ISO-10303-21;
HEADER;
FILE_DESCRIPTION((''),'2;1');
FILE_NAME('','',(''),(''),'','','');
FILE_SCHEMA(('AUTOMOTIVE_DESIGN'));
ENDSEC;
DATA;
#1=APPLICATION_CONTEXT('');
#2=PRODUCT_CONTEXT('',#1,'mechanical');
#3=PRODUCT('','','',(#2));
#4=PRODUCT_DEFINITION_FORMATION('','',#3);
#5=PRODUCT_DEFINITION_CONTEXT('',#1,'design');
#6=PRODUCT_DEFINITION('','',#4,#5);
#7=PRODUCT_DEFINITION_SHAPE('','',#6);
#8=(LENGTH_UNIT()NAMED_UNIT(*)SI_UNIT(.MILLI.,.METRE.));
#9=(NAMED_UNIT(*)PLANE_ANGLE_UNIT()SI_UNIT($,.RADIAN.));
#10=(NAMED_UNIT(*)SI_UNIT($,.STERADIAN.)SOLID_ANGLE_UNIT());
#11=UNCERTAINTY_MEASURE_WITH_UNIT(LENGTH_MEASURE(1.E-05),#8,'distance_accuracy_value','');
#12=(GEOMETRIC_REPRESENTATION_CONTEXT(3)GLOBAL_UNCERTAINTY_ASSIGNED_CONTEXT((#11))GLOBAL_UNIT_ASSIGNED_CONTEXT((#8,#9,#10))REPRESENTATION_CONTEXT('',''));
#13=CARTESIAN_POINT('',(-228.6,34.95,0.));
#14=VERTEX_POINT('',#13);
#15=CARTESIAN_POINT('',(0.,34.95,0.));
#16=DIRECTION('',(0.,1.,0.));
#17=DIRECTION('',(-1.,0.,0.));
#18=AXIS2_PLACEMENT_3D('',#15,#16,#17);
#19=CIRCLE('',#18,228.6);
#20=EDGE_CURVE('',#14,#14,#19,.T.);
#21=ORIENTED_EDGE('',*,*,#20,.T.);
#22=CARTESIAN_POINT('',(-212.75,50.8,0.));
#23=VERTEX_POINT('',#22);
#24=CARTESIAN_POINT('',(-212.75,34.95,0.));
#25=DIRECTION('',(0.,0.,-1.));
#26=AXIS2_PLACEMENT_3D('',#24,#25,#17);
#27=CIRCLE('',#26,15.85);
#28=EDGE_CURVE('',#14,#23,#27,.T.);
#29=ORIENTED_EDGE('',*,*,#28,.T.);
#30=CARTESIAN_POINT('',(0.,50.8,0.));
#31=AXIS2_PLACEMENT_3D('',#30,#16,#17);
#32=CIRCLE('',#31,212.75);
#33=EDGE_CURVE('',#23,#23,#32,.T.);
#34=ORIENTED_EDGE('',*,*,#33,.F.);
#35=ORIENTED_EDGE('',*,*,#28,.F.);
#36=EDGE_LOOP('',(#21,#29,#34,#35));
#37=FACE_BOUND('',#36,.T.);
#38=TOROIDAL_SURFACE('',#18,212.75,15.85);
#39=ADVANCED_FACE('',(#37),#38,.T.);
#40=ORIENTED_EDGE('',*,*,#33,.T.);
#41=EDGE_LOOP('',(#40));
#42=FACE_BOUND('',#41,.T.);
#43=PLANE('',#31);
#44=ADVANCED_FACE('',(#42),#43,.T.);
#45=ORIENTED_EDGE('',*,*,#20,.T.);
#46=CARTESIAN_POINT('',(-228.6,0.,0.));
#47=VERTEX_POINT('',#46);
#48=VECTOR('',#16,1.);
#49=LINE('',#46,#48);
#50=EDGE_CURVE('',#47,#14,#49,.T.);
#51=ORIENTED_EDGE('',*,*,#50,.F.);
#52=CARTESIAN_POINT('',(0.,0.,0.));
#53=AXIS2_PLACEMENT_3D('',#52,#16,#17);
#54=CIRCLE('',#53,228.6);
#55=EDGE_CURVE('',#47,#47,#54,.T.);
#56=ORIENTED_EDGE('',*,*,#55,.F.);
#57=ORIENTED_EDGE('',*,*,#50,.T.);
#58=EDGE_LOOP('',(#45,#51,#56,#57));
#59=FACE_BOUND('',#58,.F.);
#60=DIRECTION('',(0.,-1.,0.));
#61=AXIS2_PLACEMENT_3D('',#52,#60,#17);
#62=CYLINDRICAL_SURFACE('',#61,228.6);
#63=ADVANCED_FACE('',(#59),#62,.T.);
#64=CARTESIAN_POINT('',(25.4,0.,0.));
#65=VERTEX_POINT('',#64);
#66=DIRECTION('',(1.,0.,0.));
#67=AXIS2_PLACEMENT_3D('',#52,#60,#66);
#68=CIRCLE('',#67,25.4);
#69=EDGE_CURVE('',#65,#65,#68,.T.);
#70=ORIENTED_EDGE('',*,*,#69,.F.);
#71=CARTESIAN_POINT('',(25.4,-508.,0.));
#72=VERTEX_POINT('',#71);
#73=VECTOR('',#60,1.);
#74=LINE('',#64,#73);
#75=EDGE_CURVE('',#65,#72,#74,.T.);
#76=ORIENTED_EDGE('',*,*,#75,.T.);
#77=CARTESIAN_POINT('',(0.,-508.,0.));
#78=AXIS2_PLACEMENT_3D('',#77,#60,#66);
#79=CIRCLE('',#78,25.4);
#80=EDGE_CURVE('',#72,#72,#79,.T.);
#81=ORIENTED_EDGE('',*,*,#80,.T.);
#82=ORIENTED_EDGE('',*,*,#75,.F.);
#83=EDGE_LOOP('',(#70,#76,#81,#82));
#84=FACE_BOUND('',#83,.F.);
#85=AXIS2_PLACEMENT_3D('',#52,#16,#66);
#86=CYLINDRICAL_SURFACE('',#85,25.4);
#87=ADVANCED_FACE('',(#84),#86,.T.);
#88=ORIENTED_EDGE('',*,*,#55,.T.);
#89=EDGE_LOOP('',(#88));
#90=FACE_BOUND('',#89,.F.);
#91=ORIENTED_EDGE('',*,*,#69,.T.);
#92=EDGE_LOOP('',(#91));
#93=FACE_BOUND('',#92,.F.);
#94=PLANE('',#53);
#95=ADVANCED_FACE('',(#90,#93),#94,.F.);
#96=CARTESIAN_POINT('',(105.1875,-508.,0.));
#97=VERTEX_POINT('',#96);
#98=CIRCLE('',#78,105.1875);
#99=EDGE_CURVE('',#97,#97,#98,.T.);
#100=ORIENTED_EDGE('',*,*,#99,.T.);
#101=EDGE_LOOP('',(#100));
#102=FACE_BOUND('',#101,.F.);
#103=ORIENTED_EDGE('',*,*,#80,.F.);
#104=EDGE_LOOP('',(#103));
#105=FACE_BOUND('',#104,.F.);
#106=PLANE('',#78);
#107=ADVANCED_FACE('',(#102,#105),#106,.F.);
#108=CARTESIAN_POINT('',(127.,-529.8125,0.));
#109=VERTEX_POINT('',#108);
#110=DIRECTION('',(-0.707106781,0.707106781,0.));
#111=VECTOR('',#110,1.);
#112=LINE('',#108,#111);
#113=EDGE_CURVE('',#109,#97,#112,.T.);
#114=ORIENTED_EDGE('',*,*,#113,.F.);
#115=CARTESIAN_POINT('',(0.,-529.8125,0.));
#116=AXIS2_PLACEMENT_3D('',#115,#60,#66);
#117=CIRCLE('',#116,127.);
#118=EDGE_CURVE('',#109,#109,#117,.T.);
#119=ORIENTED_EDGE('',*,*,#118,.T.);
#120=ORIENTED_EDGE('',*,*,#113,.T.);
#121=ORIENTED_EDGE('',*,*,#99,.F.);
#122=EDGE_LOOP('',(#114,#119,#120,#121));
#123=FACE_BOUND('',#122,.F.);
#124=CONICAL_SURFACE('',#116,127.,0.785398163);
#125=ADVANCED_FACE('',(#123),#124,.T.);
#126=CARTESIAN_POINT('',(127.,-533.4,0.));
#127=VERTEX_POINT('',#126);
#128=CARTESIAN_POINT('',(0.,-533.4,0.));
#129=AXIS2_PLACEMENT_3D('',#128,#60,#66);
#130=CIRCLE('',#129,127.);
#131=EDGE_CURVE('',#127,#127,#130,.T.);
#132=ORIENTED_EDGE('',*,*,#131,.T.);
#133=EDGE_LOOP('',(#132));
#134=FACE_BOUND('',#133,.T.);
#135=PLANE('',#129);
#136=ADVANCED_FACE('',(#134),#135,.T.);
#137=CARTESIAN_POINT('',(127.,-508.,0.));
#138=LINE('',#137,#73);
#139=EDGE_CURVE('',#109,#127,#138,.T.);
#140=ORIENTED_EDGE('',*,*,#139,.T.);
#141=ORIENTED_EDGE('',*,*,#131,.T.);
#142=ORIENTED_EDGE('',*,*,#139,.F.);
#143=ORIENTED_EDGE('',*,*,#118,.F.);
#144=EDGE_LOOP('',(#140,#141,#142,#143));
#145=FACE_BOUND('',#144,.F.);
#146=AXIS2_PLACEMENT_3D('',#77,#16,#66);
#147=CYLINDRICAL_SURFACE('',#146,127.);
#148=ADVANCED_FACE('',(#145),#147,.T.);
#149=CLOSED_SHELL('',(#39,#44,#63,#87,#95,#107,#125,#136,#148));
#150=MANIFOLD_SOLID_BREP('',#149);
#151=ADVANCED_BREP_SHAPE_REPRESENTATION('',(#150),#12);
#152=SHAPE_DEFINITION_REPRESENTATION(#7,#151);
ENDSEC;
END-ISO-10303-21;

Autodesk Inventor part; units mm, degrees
ref_plane "YZ Plane" through (0, 0, 0) normal (1, 0, 0) x (0, 1, 0)
ref_plane "XZ Plane" through (0, 0, 0) normal (0, 1, 0) x (-1, 0, 0)
ref_plane "XY Plane" through (0, 0, 0) normal (0, 0, 1) x (1, 0, 0)
sketch "Sketch1" plane through (0, 0, 0) normal (0, 1, 0) x (-1, 0, 0)
  circle A0 centre (0, 0) radius 228.6
  dimension "d0" = 457.2
extrude "Extrusion1" add sketch "Sketch1" along normal blind 50.8
fillet "Fillet1" radius 15.85 1 edges at (228.6, 50.8, 0)
sketch "Sketch2" plane through (0, 0, 0) normal (0, -1, 0) x (1, 0, 0)
  circle A0 centre (0, 0) radius 25.4
  dimension "d4" = 50.8
extrude "Extrusion2" add sketch "Sketch2" along normal blind 508
sketch "Sketch3" plane through (0, -508, 0) normal (0, -1, 0) x (1, 0, 0)
  circle A0 centre (0, 0) radius 127
  dimension "d7" = 254
extrude "Extrusion3" add sketch "Sketch3" along normal blind 25.4
chamfer "Chamfer1" distance 21.8125 angle 45 1 edges at (-127, -508, 0)
properties part number "Stool" material "Aluminum 6061, Welded"
